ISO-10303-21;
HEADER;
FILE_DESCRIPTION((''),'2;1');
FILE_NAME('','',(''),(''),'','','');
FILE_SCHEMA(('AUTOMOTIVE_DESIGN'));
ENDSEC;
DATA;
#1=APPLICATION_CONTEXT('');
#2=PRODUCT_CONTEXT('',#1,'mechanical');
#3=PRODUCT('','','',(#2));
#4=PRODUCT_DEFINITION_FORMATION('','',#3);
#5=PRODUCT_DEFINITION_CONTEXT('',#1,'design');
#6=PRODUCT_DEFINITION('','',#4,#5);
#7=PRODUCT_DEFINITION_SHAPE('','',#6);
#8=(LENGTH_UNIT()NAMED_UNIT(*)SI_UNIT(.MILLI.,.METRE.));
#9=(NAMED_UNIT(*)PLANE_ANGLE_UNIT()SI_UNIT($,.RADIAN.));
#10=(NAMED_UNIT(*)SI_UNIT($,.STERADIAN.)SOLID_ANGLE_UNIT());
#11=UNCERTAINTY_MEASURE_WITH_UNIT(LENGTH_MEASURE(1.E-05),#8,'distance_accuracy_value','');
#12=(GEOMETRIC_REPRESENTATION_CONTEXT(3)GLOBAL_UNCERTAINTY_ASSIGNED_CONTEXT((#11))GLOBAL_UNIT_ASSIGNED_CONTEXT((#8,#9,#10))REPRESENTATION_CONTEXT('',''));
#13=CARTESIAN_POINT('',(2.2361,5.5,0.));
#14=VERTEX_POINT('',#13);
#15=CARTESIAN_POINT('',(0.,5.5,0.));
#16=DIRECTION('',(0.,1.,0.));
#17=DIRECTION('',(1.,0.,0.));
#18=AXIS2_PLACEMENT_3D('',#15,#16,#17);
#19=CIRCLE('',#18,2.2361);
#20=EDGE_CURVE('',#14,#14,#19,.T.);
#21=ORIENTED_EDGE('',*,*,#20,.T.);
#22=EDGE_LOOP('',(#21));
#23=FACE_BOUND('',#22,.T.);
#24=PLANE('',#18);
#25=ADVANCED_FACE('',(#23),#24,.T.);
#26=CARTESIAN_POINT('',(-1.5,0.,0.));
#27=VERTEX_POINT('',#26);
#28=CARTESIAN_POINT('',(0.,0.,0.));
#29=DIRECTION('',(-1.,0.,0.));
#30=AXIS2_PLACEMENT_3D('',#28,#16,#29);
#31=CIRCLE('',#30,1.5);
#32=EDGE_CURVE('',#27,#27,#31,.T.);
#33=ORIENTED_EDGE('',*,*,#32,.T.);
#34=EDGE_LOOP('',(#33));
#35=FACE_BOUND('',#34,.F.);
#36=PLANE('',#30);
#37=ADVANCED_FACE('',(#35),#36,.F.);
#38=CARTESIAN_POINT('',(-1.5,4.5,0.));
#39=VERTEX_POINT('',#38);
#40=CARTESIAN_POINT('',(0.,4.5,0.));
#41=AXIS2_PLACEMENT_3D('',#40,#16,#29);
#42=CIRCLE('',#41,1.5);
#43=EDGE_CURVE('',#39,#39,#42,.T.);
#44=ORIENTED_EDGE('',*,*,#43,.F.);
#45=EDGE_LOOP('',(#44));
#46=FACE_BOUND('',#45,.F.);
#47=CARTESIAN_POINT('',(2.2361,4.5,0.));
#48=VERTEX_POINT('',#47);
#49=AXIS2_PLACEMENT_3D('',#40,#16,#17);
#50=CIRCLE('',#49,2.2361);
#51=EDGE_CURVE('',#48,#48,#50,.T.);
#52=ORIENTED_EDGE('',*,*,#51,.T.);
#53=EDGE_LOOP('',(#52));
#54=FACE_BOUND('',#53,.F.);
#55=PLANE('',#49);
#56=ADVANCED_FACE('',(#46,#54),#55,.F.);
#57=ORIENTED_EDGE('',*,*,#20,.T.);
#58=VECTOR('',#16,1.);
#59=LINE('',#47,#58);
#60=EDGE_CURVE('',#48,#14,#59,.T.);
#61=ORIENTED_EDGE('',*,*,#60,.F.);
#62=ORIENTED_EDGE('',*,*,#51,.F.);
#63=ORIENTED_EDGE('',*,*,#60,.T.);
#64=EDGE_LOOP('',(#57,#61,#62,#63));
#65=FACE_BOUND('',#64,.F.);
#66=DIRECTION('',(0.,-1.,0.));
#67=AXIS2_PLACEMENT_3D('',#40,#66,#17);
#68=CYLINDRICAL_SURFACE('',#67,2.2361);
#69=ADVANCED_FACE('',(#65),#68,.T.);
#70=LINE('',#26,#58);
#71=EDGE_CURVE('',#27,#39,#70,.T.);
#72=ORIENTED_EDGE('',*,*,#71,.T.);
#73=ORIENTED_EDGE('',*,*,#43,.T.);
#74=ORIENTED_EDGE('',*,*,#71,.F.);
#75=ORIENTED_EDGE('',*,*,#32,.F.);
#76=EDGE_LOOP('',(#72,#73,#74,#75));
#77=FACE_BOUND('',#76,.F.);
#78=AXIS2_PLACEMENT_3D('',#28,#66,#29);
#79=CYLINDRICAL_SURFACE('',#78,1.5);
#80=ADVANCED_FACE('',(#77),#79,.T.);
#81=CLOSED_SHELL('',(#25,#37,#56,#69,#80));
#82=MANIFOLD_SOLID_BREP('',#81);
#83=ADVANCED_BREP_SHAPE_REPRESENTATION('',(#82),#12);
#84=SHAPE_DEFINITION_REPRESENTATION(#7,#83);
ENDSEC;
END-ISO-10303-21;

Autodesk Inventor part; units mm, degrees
ref_plane "YZ Plane" through (0, 0, 0) normal (1, 0, 0) x (0, 1, 0)
ref_plane "XZ Plane" through (0, 0, 0) normal (0, 1, 0) x (-1, 0, 0)
ref_plane "XY Plane" through (0, 0, 0) normal (0, 0, 1) x (1, 0, 0)
sketch "Sketch1" plane through (0, 0, 0) normal (0, 1, 0) x (-1, 0, 0)
  circle A0 centre (0, 0) radius 1.5
  dimension "d0" = 3
extrude "Extrusion1" add sketch "Sketch1" along normal blind 4.5
sketch "Sketch2" plane through (0, 4.5, 0) normal (0, 1, 0) x (1, 0, 0)
  circle A0 centre (0, 0) radius 1.5 projected
  circle A1 centre (0, 0) radius 2.2361
extrude "Extrusion2" add sketch "Sketch2" along normal blind 1 contours A0 | A1
properties part number "small screw"
